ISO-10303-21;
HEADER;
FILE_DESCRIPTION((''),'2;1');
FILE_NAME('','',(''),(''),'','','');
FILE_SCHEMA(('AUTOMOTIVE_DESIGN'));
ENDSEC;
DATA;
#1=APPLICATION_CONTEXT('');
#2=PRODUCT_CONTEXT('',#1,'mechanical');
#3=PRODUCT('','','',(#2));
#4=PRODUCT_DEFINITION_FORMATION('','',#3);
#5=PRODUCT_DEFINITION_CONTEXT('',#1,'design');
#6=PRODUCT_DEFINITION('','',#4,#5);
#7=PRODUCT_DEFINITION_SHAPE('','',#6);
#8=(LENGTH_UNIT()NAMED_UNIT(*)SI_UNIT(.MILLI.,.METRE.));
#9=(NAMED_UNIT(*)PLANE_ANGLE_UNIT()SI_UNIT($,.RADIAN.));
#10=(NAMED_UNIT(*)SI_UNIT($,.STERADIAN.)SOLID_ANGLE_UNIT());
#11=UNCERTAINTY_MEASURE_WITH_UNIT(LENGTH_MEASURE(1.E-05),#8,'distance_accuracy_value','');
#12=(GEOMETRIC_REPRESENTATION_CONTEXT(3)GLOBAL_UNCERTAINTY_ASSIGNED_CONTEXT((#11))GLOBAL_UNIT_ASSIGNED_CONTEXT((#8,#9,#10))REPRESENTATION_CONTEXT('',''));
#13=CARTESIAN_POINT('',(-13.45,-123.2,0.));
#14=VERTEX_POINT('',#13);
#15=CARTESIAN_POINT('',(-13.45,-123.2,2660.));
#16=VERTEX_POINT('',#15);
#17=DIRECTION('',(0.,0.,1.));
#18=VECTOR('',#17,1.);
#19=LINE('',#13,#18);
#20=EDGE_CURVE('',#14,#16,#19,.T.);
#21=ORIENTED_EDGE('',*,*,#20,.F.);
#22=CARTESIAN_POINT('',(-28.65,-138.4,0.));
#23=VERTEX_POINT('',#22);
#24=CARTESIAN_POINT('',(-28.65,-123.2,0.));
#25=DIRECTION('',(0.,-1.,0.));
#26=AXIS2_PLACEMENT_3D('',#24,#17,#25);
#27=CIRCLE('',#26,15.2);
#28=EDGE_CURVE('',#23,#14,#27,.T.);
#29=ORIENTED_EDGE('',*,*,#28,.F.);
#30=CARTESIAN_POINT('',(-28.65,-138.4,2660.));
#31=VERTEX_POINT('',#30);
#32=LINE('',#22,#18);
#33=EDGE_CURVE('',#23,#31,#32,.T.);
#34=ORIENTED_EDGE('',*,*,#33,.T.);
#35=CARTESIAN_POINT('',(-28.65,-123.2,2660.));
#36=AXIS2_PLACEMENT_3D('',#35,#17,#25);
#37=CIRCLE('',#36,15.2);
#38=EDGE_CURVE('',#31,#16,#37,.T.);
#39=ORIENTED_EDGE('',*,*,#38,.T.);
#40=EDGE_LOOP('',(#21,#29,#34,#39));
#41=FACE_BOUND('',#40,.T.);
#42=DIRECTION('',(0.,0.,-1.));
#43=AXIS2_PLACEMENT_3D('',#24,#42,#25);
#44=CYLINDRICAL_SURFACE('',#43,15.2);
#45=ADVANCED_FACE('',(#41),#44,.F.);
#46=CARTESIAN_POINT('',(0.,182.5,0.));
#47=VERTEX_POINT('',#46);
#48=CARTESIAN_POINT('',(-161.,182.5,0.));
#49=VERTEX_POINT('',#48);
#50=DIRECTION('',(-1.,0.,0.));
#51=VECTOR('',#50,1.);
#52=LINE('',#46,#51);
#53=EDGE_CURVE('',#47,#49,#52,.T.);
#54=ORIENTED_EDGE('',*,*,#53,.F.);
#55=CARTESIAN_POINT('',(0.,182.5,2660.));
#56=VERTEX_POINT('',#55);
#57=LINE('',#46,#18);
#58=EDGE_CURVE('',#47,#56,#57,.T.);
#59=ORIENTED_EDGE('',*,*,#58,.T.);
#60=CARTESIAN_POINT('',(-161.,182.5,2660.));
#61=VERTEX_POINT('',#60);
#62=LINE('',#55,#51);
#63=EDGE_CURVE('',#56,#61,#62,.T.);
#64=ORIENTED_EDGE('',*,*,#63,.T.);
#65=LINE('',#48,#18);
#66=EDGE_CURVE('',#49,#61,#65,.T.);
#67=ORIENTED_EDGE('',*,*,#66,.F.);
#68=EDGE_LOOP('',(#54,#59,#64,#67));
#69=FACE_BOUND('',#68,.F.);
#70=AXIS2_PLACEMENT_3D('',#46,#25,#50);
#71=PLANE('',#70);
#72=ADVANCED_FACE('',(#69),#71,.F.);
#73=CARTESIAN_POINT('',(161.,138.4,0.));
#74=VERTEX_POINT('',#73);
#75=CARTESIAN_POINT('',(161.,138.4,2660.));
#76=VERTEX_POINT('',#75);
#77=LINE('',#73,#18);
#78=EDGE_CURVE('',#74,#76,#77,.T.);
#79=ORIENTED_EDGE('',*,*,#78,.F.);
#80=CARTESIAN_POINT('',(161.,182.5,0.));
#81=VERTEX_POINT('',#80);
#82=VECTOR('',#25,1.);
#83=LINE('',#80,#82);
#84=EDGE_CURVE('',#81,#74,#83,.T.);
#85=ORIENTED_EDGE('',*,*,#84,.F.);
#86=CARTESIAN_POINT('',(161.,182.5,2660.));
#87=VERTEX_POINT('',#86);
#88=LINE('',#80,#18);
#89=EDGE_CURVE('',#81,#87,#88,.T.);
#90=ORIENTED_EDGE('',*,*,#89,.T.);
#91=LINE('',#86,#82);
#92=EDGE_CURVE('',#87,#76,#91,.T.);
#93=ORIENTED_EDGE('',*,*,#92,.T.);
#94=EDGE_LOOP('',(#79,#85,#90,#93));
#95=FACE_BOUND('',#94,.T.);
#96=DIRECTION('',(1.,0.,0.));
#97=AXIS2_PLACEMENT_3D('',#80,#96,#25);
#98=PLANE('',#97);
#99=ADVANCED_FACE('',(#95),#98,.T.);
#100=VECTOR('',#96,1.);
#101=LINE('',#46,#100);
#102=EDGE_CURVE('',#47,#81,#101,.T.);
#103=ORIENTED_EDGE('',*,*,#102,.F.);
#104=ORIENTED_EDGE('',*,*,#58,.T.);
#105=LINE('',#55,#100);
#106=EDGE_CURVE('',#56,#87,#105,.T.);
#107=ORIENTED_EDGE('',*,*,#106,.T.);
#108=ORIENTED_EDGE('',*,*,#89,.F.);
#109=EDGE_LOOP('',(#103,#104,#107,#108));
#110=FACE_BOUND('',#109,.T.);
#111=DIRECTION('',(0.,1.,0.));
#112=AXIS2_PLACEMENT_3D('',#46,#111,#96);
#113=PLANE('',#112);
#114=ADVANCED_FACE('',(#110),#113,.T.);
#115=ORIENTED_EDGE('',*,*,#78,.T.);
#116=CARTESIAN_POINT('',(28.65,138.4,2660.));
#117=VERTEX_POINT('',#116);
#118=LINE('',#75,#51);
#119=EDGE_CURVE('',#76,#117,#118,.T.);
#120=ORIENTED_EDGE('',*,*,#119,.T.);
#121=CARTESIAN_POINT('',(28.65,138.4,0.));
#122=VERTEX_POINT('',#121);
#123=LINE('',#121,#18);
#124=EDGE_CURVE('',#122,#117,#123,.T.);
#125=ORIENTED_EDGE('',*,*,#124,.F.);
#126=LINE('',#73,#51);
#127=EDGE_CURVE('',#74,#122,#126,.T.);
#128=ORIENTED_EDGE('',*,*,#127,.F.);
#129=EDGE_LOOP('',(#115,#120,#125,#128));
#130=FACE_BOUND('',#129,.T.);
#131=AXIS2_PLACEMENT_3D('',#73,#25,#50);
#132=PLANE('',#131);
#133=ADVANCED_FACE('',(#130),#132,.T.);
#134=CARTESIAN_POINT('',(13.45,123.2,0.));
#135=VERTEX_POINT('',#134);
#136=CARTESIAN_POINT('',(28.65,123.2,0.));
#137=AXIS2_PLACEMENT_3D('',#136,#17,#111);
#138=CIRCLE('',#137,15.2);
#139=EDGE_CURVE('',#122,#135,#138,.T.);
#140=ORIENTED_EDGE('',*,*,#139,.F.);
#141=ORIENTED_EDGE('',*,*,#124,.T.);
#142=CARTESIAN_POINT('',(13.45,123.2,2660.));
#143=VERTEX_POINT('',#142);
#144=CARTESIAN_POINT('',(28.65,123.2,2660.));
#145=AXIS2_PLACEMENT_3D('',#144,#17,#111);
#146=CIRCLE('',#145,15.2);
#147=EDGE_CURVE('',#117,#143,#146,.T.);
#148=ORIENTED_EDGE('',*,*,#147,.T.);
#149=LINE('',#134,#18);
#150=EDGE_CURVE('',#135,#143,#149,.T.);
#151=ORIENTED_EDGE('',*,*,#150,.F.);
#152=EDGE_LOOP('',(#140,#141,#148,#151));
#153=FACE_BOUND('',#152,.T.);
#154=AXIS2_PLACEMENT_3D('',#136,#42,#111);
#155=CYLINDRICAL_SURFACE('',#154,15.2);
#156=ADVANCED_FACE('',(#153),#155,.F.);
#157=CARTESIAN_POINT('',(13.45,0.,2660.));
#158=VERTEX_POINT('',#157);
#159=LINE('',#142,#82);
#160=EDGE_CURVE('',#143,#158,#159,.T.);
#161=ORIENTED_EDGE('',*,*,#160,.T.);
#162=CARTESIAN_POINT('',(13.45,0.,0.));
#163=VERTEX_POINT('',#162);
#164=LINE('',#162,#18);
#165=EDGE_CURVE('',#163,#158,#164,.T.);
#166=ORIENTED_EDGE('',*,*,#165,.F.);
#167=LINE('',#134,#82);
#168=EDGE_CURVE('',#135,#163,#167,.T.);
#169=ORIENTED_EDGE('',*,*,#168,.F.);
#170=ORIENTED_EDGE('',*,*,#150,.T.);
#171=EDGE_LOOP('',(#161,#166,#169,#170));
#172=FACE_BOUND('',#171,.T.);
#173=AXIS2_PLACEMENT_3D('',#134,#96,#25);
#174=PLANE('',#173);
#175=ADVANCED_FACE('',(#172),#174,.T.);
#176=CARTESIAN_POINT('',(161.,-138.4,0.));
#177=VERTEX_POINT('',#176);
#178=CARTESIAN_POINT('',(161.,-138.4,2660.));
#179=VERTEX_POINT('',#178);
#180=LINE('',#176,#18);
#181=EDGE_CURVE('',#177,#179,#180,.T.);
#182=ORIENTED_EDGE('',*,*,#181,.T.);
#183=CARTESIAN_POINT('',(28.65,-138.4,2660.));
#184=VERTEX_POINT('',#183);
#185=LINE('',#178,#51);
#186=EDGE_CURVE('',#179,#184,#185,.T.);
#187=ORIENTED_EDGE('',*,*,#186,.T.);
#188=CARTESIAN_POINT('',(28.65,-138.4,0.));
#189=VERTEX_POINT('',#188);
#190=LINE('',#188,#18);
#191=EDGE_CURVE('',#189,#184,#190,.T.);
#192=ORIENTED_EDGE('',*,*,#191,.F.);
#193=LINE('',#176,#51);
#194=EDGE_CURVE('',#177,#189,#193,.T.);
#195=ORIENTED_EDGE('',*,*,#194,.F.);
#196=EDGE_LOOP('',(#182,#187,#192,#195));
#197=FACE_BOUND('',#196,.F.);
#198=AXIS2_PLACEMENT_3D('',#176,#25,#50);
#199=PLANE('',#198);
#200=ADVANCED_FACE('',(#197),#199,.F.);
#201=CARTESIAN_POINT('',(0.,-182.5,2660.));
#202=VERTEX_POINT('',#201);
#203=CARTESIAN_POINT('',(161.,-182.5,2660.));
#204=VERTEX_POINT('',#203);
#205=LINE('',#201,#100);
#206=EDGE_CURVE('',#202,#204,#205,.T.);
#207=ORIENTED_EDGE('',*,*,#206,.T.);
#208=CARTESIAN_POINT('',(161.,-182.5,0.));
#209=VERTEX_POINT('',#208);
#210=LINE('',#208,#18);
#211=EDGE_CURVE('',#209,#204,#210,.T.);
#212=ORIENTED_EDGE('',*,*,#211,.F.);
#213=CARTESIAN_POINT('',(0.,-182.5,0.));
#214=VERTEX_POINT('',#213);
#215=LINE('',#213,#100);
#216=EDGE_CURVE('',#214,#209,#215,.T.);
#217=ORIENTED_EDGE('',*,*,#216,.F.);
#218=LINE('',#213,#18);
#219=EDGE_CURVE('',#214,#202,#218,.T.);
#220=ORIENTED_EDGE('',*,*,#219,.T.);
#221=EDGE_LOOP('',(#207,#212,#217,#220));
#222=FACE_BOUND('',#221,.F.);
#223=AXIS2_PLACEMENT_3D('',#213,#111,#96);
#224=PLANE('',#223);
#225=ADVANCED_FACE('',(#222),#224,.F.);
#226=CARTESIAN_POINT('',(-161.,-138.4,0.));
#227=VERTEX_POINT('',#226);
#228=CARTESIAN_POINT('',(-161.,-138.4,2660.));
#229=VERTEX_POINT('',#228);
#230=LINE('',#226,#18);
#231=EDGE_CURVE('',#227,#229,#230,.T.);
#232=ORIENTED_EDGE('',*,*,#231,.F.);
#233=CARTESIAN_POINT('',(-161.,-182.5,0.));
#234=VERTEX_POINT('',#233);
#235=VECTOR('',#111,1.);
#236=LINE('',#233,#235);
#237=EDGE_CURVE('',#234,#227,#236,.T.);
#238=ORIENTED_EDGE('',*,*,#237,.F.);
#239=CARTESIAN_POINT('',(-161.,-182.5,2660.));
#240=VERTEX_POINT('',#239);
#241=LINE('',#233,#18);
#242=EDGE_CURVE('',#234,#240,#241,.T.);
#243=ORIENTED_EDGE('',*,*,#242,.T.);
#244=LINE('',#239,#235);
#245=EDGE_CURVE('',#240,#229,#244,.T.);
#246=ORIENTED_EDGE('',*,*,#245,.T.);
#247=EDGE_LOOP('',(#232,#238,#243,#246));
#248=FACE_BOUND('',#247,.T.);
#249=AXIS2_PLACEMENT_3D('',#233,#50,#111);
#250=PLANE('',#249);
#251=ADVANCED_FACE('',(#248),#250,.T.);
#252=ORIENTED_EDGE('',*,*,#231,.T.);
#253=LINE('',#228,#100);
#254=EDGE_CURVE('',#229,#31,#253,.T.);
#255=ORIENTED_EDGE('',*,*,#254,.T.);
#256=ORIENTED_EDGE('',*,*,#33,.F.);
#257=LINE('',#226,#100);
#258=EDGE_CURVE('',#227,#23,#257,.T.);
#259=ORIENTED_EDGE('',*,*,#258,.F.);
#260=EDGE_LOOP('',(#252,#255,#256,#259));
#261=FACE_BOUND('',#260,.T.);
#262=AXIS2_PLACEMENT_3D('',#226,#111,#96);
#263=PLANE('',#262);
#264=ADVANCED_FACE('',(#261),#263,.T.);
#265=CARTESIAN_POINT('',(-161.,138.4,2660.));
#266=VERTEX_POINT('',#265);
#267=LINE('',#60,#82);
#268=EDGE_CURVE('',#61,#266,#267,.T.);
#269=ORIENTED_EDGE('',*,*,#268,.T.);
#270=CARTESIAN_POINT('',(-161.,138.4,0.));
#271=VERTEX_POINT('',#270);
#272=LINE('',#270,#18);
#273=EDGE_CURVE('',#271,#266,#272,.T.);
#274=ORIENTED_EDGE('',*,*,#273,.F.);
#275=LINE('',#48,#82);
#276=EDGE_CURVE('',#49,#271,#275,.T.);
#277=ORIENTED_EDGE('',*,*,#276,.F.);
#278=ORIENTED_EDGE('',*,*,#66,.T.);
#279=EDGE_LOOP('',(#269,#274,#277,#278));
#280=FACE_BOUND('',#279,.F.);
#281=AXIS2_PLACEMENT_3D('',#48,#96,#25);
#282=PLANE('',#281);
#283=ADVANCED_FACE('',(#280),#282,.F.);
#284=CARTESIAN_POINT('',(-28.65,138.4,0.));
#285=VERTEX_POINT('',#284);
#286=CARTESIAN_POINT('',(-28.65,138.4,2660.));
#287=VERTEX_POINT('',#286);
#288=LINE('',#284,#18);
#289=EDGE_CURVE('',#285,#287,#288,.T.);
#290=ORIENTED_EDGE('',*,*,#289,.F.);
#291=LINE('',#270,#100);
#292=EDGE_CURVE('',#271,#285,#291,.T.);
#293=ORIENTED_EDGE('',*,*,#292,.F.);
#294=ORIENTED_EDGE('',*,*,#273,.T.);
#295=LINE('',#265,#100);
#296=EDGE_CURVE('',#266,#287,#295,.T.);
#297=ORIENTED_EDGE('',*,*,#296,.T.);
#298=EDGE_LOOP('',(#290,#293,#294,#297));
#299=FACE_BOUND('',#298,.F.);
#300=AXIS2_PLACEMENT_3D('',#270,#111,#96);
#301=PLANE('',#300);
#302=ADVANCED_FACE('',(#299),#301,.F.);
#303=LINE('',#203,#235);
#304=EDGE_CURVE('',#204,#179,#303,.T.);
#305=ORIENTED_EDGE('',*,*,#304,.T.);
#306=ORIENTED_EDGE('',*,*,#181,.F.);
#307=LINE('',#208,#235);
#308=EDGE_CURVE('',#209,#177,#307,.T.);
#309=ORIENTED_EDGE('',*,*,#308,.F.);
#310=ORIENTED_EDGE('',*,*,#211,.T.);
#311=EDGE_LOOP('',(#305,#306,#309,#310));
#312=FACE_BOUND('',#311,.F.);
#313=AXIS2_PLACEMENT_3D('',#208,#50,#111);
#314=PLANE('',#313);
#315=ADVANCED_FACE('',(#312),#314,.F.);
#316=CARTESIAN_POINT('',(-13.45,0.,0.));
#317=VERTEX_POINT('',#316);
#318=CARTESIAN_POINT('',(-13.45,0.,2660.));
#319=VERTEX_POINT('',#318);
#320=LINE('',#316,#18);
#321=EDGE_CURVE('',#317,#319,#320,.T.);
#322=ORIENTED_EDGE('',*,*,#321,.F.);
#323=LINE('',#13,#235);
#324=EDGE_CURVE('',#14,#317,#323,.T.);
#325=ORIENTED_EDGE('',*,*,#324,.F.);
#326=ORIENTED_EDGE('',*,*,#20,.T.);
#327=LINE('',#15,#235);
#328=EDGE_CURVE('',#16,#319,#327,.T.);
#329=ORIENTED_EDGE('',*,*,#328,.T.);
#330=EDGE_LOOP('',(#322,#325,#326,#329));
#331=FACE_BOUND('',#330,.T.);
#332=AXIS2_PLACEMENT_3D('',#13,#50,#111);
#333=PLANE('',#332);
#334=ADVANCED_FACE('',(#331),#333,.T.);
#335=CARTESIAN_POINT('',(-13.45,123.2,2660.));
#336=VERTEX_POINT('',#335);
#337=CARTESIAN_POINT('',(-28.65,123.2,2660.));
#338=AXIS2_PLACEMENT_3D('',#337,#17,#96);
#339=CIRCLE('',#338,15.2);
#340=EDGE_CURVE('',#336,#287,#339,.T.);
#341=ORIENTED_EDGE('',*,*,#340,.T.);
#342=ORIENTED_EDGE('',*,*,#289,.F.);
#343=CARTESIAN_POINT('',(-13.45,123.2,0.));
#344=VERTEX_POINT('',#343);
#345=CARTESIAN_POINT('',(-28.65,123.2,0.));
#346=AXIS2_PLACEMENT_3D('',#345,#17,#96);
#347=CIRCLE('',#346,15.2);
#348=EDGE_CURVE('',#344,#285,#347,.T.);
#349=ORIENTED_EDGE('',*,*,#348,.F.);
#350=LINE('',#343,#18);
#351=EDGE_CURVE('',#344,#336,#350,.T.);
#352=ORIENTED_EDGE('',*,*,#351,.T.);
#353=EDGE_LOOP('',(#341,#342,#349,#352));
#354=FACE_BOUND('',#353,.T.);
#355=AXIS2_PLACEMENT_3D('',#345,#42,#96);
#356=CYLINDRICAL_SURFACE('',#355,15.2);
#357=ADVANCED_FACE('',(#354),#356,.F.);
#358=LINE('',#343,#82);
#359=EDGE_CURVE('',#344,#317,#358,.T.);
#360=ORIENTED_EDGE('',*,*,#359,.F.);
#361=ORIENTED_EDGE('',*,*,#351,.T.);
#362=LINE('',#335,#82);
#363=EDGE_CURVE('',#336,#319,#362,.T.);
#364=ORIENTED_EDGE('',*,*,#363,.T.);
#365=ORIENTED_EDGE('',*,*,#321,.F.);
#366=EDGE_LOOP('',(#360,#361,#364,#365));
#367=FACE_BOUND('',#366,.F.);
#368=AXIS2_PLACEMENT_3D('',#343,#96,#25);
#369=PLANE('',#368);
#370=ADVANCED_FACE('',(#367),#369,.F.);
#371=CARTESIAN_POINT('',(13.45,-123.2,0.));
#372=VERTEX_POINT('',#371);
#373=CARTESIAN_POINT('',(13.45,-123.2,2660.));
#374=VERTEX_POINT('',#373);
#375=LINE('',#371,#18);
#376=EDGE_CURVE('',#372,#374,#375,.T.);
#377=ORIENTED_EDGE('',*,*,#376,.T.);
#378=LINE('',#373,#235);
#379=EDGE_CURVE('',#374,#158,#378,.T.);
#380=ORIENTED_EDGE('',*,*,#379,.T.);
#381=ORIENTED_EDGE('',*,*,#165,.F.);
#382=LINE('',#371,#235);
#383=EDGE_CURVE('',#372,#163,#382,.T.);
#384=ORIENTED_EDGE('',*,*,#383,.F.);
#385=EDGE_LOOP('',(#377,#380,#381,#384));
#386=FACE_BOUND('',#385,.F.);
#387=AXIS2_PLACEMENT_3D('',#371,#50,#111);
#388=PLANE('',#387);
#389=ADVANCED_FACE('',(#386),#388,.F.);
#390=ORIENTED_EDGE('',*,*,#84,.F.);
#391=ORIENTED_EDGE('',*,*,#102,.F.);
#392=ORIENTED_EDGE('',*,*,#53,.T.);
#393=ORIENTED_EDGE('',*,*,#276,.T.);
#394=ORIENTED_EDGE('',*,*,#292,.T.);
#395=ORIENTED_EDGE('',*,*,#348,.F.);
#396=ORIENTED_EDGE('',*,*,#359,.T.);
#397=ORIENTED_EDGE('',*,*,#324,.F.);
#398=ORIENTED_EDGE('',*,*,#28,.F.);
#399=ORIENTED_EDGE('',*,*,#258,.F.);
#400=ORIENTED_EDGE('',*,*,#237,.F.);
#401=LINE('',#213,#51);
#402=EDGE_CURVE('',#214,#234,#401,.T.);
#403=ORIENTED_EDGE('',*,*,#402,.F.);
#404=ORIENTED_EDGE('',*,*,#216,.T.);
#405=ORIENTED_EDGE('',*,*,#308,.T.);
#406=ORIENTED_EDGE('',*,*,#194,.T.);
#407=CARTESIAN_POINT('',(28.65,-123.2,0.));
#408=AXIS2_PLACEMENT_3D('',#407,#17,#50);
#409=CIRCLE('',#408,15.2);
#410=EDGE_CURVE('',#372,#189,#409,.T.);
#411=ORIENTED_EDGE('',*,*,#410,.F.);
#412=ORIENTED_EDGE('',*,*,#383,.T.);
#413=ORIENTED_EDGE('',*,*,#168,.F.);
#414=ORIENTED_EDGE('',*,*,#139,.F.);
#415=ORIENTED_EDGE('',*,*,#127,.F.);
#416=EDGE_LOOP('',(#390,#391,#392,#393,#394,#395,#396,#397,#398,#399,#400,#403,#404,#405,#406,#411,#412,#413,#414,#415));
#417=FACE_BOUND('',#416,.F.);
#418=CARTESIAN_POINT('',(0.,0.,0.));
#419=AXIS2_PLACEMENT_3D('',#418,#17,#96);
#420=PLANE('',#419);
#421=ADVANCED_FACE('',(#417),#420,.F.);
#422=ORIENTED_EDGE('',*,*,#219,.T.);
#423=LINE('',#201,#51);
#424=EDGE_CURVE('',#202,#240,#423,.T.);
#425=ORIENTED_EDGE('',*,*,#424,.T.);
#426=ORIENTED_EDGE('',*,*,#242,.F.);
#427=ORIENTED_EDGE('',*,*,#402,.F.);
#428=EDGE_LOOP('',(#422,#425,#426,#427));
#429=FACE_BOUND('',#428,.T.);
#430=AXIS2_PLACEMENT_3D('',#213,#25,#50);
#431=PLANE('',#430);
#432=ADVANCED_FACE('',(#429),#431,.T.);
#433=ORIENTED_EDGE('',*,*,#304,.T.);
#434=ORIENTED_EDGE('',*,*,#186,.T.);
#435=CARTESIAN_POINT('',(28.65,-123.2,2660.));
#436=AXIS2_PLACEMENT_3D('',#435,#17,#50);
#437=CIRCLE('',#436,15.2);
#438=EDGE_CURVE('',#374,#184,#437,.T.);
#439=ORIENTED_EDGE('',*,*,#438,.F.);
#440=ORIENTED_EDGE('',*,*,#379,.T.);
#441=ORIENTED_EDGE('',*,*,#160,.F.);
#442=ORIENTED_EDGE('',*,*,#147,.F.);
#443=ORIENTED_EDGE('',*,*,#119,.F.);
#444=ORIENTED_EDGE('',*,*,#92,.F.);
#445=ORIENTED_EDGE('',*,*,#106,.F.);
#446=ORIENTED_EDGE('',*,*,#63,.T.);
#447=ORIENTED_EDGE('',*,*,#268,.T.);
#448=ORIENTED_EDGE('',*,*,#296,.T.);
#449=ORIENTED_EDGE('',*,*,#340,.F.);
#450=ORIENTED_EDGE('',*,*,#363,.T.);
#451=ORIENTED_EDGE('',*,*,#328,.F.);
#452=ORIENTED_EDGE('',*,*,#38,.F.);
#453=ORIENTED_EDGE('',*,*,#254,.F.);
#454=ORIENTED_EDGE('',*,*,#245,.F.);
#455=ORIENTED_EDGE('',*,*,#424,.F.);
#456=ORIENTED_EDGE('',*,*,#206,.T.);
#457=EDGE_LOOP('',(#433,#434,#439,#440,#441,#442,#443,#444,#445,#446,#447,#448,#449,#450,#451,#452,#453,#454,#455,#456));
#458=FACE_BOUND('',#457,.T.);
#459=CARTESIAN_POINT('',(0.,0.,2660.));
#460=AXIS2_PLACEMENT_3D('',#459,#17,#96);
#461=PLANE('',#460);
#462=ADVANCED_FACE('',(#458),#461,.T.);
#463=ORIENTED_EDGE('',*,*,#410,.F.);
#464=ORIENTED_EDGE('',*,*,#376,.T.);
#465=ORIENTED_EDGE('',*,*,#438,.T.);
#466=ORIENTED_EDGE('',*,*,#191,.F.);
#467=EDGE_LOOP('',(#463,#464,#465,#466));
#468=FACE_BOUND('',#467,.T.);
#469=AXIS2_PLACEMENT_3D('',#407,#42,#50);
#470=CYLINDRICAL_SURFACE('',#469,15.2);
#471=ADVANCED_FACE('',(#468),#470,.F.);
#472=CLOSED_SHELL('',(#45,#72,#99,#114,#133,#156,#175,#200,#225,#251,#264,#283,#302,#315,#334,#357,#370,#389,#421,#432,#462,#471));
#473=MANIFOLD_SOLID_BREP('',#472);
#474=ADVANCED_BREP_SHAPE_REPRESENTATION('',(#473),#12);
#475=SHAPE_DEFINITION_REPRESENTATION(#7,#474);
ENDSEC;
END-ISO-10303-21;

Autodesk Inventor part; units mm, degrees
ref_plane "YZ Plane" through (0, 0, 0) normal (1, 0, 0) x (0, 1, 0)
ref_plane "Start plane" through (0, 0, 0) normal (0, 0, 1) x (1, 0, 0)
ref_plane "End plane" through (0, 0, 2660) normal (0, 0, 1) x (1, 0, 0)
sketch "Sketch" plane through (0, 0, 0) normal (0, 0, 1) x (1, 0, 0)
  line L0 (-161, -182.5) -> (-161, -138.4)
  line L1 (-161, -138.4) -> (-28.65, -138.4)
  line L2 (-13.45, -123.2) -> (-13.45, 0)
  line L3 (-13.45, 0) -> (0, 0) construction
  line L4 (0, 0) -> (0, -182.5) construction
  line L5 (0, -182.5) -> (-161, -182.5)
  line L6 (-60, 0) -> (80, 0) construction
  line L7 (0, -60) -> (0, 80) construction
  line L8 (161, -182.5) -> (161, -138.4)
  line L9 (161, -138.4) -> (28.65, -138.4)
  line L10 (13.45, -123.2) -> (13.45, 0)
  line L11 (13.45, 0) -> (0, 0) construction
  line L12 (0, -182.5) -> (161, -182.5)
  line L13 (-161, 182.5) -> (-161, 138.4)
  line L14 (-161, 138.4) -> (-28.65, 138.4)
  line L15 (-13.45, 123.2) -> (-13.45, 0)
  line L16 (0, 182.5) -> (-161, 182.5)
  line L17 (161, 182.5) -> (161, 138.4)
  line L18 (161, 138.4) -> (28.65, 138.4)
  line L19 (0, 182.5) -> (161, 182.5)
  line L20 (13.45, 123.2) -> (13.45, 0)
  arc A0 (-13.45, 123.2) -> (-28.65, 138.4) centre (-28.65, 123.2) ccw
  arc A1 (28.65, 138.4) -> (13.45, 123.2) centre (28.65, 123.2) ccw
  arc A2 (13.45, -123.2) -> (28.65, -138.4) centre (28.65, -123.2) ccw
  arc A3 (-28.65, -138.4) -> (-13.45, -123.2) centre (-28.65, -123.2) ccw
  line L21 (0, 108) -> (0, -88) construction
  line L22 (-88, 0) -> (108, 0) construction
  point P0 (-13.45, -138.4)
  point P1 (13.45, -138.4)
  point P2 (-13.45, 138.4)
  point P3 (13.45, 138.4)
  dimension "d1" = 182.5
  dimension "d2" = 44.1
  dimension "d3" = 161
  dimension "d4" = 13.45
  dimension "d10" = 15.2
extrude "Body" add sketch "Sketch" along normal up to surface (2660 mm away) from surface at 0
sketch "Sketch4" plane through (0, 0, 0) normal (0, 0, 1) x (1, 0, 0)
  line L0 (0, 0) -> (10, 0)
ref_plane "Work Plane3" through (0, 0, 0) normal (0, -1, 0) x (1, 0, 0)
sketch "Sketch5" plane through (0, 0, 0) normal (0, -1, 0) x (1, 0, 0)
  line L0 (-2, 0) -> (12, 0) projected
  line L1 (-2, 2660) -> (12, 2660) projected
  dimension "d14" = 2660
equation "\"d1\" = 0.5 * G_H"
equation "\"d2\" = G_T1"
equation "\"d3\" = 0.5 * G_W"
equation "\"d4\" = 0.5 * G_T"
equation "\"d10\" = G_IR"
equation "\"d5\" = G_L"
equation "\"G_W\" = 322"
equation "\"G_H\" = 365"
equation "\"G_T\" = 26.9"
equation "\"G_T1\" = 44.1"
equation "\"G_IR\" = 15.2"
equation "\"G_L\" = d14"
equation "\"G_OFFSET_START\" = 0"
equation "\"G_OFFSET_END\" = 0"
properties part number "AS 3679 - 310 UC - 283 - 2660" material "Steel, Mild"
